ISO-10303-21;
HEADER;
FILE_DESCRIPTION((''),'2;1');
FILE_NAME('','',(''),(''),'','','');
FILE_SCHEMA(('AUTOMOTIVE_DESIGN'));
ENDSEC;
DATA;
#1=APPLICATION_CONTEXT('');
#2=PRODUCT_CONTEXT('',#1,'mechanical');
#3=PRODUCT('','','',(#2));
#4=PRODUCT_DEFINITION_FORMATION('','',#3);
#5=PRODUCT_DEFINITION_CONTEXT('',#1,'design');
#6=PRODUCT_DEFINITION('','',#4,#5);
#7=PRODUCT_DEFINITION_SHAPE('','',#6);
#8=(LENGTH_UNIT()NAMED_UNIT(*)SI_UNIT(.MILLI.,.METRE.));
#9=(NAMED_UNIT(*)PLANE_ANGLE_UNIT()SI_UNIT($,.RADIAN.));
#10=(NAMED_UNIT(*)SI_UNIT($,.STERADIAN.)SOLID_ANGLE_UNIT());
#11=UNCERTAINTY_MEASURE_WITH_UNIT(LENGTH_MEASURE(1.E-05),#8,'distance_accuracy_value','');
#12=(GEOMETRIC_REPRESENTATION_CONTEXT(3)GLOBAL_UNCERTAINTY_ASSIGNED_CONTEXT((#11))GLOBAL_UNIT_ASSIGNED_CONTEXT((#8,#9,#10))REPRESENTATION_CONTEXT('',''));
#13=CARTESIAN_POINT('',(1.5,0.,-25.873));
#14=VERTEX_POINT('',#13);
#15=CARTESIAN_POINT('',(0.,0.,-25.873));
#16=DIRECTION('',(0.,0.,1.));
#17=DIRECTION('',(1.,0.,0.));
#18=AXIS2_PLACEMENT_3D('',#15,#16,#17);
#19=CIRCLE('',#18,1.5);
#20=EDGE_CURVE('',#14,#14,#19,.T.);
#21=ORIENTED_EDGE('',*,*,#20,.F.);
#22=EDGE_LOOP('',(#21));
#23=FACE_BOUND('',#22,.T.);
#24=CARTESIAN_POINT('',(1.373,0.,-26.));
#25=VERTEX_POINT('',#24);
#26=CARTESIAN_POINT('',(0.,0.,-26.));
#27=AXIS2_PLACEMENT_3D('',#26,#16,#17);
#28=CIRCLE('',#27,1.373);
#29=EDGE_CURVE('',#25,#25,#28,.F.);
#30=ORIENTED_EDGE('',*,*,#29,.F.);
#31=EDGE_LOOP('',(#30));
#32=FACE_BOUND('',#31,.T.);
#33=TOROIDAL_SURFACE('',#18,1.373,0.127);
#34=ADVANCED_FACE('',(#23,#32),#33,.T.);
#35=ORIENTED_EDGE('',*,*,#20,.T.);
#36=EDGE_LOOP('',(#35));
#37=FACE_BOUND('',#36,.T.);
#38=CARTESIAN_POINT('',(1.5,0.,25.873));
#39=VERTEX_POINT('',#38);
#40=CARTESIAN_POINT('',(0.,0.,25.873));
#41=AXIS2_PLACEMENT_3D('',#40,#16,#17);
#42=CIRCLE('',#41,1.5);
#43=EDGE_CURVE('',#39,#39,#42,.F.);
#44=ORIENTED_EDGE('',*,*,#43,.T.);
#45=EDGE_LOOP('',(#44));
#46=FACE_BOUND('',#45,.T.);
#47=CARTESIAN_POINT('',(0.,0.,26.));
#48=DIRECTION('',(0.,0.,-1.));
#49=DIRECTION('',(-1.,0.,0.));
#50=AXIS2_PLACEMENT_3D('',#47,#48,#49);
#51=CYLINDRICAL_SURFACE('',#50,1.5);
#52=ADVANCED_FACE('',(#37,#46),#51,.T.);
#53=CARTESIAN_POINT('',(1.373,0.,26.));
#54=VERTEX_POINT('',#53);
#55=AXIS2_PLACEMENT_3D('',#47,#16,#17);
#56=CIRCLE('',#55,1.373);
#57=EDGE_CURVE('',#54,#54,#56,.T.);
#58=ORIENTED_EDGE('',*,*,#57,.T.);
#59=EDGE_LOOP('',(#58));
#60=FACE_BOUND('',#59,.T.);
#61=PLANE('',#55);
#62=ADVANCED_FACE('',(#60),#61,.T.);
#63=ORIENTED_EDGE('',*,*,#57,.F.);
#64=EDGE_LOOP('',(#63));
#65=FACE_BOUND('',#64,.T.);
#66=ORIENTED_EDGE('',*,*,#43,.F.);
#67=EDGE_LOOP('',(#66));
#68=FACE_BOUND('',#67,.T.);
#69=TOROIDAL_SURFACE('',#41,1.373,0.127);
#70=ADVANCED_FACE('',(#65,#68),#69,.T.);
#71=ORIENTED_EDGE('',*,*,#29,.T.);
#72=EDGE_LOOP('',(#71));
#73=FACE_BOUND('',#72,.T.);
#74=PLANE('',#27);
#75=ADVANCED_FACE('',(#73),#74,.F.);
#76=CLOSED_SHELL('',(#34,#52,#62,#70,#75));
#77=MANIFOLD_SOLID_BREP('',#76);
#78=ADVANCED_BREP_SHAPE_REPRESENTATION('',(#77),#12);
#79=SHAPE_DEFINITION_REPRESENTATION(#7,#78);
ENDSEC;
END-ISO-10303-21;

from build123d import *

# Parameters (mm, degrees)
SKETCH1_R           = 1.5
BOSS_EXTRUDE1_DEPTH = 26
FILLET1_R           = 0.127


with BuildPart() as part:
    # Sketch1 → Boss-Extrude1 (new body, symmetric)
    with BuildSketch(Plane.XY):
        Circle(SKETCH1_R)
    extrude(amount=BOSS_EXTRUDE1_DEPTH, both=True)

    # Fillet1
    fillet1_edges = [part.edges().sort_by_distance(p)[0] for p in [
        (-1.5, 0, -26),
        (-1.5, 0, 26),
    ]]
    fillet(fillet1_edges, radius=FILLET1_R)


solid = part.part
